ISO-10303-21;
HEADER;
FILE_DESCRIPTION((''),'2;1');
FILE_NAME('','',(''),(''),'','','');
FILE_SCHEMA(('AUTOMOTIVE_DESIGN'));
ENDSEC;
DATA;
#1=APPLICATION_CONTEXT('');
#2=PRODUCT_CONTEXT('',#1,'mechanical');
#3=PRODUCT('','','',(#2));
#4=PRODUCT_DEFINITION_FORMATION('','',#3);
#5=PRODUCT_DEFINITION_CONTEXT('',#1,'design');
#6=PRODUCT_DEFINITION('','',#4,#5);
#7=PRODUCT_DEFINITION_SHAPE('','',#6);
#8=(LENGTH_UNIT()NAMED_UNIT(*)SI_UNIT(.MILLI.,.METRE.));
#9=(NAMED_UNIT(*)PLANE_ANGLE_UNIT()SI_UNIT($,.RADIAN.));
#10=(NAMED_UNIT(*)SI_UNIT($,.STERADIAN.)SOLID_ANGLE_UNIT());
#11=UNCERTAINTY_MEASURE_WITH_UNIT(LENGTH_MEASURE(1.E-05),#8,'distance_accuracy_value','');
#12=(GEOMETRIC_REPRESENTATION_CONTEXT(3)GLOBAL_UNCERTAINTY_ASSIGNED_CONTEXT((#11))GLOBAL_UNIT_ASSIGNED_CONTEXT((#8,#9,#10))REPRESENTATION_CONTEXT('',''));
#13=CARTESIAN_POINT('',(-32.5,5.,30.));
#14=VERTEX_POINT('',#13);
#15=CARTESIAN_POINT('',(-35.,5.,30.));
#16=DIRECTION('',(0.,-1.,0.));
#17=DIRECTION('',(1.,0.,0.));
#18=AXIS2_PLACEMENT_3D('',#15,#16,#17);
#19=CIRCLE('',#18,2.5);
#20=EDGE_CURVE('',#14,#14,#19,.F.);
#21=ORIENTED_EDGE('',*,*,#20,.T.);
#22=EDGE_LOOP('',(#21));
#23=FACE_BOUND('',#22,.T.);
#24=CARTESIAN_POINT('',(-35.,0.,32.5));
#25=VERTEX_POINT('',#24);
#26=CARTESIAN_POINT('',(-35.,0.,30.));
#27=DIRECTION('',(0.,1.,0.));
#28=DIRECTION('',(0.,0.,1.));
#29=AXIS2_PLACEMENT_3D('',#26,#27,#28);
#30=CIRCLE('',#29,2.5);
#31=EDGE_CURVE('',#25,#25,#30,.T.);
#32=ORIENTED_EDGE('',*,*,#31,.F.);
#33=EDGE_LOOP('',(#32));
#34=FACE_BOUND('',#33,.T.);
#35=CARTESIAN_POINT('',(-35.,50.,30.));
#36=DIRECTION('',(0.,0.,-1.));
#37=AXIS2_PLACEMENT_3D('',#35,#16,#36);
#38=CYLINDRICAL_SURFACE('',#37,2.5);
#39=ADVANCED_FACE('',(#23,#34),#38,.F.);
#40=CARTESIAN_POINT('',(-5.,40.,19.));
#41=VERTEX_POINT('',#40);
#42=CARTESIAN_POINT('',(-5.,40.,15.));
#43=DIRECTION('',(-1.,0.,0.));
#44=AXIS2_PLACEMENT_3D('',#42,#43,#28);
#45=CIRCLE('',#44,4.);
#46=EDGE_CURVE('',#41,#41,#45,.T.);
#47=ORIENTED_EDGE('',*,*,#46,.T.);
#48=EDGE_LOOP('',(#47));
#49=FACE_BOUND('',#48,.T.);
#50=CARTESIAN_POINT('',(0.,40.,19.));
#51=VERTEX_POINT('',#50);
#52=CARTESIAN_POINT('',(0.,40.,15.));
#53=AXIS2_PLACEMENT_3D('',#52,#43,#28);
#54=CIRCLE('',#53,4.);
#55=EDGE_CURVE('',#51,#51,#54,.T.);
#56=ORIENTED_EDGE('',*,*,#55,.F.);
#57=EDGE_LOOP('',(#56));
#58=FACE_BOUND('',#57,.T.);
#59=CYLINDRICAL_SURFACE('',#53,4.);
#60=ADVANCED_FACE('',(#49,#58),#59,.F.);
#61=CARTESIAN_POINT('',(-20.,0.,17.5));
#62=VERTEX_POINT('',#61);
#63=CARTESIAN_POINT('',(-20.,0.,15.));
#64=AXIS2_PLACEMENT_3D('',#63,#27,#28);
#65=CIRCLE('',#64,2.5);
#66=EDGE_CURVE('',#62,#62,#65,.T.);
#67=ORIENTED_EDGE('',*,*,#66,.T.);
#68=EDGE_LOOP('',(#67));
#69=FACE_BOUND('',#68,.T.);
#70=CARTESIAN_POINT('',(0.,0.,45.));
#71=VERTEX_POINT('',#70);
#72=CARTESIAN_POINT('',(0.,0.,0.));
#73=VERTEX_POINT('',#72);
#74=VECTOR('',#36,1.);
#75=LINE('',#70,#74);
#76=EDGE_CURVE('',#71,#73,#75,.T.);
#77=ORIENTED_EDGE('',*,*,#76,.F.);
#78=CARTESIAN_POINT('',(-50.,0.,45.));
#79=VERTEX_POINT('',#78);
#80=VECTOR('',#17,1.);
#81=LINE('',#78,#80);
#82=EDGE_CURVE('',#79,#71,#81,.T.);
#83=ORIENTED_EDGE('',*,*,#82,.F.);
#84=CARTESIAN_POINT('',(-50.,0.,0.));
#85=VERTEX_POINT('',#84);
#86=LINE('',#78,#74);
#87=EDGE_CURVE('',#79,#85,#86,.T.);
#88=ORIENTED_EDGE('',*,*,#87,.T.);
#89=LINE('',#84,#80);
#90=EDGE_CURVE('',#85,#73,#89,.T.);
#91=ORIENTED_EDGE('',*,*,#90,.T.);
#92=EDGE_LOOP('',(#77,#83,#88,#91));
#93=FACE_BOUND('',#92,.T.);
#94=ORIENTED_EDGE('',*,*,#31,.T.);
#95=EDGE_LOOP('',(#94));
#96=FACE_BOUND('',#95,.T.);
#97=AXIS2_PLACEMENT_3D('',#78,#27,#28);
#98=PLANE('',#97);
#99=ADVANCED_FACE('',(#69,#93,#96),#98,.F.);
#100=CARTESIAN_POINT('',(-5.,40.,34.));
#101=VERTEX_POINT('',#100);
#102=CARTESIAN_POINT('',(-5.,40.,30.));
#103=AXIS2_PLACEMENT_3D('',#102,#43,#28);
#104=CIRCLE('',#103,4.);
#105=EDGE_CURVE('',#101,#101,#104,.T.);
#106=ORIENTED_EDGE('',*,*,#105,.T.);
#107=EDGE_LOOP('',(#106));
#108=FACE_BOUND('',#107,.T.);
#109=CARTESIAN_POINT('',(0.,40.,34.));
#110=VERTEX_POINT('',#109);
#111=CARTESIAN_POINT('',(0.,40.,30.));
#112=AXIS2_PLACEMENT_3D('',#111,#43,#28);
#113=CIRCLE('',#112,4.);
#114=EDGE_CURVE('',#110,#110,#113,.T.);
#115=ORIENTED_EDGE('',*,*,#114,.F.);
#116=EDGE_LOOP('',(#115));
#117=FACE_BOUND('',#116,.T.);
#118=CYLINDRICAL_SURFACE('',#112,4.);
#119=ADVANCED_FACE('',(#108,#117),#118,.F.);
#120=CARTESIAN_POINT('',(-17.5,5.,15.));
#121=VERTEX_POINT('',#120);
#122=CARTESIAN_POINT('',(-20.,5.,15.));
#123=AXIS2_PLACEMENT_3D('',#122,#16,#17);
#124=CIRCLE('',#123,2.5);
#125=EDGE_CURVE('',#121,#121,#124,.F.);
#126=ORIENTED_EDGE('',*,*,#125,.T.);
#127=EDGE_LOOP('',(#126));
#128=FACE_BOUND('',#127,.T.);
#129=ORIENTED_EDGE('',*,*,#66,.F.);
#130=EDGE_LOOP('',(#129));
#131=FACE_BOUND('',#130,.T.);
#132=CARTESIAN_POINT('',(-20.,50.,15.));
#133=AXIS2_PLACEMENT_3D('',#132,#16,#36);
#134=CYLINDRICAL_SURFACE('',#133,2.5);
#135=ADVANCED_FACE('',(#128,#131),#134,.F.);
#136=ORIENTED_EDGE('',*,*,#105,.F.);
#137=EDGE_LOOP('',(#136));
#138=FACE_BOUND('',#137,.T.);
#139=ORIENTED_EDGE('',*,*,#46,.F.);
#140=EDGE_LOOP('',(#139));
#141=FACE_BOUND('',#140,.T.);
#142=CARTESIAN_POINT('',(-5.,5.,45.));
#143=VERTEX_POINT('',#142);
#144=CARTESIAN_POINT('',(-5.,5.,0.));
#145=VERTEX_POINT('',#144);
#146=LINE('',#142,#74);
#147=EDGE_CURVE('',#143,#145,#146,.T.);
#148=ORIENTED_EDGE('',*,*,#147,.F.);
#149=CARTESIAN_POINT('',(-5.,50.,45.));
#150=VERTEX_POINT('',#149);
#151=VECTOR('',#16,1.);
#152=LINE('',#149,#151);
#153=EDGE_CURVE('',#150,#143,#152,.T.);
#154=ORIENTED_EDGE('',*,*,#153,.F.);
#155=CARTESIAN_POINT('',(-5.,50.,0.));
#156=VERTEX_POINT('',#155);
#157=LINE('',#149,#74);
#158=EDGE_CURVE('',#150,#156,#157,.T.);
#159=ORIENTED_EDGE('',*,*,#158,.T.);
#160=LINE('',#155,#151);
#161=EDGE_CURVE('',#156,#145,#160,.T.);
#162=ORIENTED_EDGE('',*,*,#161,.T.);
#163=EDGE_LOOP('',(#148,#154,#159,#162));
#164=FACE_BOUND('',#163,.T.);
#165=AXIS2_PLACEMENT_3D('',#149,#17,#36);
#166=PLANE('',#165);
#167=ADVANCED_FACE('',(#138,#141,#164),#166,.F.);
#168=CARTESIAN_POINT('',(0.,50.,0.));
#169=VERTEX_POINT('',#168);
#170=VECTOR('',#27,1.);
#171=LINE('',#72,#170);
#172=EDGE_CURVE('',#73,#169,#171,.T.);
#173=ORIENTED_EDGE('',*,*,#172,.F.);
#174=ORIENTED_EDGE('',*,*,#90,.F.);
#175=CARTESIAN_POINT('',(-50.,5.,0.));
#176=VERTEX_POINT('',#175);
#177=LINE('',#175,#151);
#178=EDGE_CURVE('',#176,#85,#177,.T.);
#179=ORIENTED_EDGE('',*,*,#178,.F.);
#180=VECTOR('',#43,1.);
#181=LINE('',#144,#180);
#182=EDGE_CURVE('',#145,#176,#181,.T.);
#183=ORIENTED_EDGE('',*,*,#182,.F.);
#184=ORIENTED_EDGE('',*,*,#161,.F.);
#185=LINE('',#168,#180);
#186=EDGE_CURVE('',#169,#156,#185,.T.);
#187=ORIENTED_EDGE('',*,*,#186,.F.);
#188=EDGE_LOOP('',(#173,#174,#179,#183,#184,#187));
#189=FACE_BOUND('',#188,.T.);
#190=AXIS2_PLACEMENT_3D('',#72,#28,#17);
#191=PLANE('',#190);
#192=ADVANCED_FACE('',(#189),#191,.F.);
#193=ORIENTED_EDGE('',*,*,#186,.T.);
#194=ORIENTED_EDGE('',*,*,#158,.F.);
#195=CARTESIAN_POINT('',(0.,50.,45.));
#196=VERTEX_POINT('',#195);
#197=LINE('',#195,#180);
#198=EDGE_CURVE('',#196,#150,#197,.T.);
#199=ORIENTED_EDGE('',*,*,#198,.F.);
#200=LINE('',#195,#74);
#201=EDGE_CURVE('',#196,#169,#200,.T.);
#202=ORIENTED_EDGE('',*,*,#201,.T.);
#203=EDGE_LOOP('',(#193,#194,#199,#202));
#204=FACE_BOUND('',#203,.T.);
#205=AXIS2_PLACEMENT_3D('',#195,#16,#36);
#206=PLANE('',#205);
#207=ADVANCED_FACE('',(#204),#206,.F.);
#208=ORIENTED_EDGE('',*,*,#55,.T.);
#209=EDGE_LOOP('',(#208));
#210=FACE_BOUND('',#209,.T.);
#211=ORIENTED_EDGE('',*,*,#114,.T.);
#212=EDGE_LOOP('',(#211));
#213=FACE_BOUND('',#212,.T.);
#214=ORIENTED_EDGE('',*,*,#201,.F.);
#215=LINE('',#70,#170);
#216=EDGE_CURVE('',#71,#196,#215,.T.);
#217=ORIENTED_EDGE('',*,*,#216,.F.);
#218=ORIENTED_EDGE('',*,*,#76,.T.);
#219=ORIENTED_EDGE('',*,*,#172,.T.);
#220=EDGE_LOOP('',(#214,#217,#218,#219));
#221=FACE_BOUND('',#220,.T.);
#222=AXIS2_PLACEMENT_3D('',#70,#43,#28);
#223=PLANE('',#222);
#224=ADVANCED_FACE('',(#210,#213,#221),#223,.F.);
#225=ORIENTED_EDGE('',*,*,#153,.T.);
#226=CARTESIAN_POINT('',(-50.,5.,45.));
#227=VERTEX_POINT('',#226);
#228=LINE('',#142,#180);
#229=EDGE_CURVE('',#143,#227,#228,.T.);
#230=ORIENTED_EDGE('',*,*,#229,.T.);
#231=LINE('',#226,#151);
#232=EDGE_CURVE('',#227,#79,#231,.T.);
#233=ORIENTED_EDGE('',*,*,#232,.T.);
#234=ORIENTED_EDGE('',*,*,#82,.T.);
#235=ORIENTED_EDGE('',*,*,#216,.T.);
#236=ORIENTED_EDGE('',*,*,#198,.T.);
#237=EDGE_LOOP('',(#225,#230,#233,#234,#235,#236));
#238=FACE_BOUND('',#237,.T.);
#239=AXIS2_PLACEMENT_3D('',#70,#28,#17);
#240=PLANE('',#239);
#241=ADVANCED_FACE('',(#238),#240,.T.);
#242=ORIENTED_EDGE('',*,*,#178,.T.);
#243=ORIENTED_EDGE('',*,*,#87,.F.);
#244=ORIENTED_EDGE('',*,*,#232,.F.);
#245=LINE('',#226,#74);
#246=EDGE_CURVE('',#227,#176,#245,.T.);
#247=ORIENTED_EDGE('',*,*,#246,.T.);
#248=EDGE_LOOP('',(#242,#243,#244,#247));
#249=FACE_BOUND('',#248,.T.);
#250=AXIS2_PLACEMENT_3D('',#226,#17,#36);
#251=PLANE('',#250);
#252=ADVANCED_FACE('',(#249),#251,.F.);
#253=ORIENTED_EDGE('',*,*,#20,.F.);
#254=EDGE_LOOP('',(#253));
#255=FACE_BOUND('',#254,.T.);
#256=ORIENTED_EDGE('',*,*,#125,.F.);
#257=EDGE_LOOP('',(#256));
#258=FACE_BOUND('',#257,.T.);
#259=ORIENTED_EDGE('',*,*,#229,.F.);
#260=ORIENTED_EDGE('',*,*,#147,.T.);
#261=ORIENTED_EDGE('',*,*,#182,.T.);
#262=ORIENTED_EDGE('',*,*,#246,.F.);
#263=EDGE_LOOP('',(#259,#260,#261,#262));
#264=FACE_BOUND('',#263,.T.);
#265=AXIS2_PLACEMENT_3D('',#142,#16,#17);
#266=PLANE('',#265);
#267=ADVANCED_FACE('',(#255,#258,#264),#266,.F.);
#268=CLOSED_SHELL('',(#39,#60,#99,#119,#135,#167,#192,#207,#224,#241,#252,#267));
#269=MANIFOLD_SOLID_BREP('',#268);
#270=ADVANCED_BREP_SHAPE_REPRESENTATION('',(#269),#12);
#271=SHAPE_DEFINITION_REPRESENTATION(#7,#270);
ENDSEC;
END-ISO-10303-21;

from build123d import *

# Parameters (mm, degrees)
BOSS_EXTRUDE1_DEPTH = 45
SKETCH2_R           = 4
CUT_EXTRUDE1_DEPTH  = 81.932070281
SKETCH3_R           = 2.5
CUT_EXTRUDE3_DEPTH  = 84.815273071


with BuildPart() as part:
    # Sketch1 → Boss-Extrude1 (new body)
    with BuildSketch(Plane.XY):
        Polygon((0, 0), (0, 50), (-5, 50), (-5, 5), (-50, 5), (-50, 0), align=None)
    extrude(amount=BOSS_EXTRUDE1_DEPTH)

    # Sketch2 → Cut-Extrude1 (cut, through all)
    with BuildSketch(Plane.ZY.offset(5)):
        with Locations((15, 40)):
            Circle(SKETCH2_R)
        with Locations((30, 40)):
            Circle(SKETCH2_R)
    extrude(amount=-CUT_EXTRUDE1_DEPTH, mode=Mode.SUBTRACT)

    # Sketch3 → Cut-Extrude3 (cut, through all)
    with BuildSketch(Plane(origin=(0, 0, 0), x_dir=(1, 0, 0), z_dir=(0, 1, 0))):
        with Locations((-35, -30)):
            Circle(SKETCH3_R)
        with Locations((-20, -15)):
            Circle(SKETCH3_R)
    extrude(amount=CUT_EXTRUDE3_DEPTH, mode=Mode.SUBTRACT)


solid = part.part
